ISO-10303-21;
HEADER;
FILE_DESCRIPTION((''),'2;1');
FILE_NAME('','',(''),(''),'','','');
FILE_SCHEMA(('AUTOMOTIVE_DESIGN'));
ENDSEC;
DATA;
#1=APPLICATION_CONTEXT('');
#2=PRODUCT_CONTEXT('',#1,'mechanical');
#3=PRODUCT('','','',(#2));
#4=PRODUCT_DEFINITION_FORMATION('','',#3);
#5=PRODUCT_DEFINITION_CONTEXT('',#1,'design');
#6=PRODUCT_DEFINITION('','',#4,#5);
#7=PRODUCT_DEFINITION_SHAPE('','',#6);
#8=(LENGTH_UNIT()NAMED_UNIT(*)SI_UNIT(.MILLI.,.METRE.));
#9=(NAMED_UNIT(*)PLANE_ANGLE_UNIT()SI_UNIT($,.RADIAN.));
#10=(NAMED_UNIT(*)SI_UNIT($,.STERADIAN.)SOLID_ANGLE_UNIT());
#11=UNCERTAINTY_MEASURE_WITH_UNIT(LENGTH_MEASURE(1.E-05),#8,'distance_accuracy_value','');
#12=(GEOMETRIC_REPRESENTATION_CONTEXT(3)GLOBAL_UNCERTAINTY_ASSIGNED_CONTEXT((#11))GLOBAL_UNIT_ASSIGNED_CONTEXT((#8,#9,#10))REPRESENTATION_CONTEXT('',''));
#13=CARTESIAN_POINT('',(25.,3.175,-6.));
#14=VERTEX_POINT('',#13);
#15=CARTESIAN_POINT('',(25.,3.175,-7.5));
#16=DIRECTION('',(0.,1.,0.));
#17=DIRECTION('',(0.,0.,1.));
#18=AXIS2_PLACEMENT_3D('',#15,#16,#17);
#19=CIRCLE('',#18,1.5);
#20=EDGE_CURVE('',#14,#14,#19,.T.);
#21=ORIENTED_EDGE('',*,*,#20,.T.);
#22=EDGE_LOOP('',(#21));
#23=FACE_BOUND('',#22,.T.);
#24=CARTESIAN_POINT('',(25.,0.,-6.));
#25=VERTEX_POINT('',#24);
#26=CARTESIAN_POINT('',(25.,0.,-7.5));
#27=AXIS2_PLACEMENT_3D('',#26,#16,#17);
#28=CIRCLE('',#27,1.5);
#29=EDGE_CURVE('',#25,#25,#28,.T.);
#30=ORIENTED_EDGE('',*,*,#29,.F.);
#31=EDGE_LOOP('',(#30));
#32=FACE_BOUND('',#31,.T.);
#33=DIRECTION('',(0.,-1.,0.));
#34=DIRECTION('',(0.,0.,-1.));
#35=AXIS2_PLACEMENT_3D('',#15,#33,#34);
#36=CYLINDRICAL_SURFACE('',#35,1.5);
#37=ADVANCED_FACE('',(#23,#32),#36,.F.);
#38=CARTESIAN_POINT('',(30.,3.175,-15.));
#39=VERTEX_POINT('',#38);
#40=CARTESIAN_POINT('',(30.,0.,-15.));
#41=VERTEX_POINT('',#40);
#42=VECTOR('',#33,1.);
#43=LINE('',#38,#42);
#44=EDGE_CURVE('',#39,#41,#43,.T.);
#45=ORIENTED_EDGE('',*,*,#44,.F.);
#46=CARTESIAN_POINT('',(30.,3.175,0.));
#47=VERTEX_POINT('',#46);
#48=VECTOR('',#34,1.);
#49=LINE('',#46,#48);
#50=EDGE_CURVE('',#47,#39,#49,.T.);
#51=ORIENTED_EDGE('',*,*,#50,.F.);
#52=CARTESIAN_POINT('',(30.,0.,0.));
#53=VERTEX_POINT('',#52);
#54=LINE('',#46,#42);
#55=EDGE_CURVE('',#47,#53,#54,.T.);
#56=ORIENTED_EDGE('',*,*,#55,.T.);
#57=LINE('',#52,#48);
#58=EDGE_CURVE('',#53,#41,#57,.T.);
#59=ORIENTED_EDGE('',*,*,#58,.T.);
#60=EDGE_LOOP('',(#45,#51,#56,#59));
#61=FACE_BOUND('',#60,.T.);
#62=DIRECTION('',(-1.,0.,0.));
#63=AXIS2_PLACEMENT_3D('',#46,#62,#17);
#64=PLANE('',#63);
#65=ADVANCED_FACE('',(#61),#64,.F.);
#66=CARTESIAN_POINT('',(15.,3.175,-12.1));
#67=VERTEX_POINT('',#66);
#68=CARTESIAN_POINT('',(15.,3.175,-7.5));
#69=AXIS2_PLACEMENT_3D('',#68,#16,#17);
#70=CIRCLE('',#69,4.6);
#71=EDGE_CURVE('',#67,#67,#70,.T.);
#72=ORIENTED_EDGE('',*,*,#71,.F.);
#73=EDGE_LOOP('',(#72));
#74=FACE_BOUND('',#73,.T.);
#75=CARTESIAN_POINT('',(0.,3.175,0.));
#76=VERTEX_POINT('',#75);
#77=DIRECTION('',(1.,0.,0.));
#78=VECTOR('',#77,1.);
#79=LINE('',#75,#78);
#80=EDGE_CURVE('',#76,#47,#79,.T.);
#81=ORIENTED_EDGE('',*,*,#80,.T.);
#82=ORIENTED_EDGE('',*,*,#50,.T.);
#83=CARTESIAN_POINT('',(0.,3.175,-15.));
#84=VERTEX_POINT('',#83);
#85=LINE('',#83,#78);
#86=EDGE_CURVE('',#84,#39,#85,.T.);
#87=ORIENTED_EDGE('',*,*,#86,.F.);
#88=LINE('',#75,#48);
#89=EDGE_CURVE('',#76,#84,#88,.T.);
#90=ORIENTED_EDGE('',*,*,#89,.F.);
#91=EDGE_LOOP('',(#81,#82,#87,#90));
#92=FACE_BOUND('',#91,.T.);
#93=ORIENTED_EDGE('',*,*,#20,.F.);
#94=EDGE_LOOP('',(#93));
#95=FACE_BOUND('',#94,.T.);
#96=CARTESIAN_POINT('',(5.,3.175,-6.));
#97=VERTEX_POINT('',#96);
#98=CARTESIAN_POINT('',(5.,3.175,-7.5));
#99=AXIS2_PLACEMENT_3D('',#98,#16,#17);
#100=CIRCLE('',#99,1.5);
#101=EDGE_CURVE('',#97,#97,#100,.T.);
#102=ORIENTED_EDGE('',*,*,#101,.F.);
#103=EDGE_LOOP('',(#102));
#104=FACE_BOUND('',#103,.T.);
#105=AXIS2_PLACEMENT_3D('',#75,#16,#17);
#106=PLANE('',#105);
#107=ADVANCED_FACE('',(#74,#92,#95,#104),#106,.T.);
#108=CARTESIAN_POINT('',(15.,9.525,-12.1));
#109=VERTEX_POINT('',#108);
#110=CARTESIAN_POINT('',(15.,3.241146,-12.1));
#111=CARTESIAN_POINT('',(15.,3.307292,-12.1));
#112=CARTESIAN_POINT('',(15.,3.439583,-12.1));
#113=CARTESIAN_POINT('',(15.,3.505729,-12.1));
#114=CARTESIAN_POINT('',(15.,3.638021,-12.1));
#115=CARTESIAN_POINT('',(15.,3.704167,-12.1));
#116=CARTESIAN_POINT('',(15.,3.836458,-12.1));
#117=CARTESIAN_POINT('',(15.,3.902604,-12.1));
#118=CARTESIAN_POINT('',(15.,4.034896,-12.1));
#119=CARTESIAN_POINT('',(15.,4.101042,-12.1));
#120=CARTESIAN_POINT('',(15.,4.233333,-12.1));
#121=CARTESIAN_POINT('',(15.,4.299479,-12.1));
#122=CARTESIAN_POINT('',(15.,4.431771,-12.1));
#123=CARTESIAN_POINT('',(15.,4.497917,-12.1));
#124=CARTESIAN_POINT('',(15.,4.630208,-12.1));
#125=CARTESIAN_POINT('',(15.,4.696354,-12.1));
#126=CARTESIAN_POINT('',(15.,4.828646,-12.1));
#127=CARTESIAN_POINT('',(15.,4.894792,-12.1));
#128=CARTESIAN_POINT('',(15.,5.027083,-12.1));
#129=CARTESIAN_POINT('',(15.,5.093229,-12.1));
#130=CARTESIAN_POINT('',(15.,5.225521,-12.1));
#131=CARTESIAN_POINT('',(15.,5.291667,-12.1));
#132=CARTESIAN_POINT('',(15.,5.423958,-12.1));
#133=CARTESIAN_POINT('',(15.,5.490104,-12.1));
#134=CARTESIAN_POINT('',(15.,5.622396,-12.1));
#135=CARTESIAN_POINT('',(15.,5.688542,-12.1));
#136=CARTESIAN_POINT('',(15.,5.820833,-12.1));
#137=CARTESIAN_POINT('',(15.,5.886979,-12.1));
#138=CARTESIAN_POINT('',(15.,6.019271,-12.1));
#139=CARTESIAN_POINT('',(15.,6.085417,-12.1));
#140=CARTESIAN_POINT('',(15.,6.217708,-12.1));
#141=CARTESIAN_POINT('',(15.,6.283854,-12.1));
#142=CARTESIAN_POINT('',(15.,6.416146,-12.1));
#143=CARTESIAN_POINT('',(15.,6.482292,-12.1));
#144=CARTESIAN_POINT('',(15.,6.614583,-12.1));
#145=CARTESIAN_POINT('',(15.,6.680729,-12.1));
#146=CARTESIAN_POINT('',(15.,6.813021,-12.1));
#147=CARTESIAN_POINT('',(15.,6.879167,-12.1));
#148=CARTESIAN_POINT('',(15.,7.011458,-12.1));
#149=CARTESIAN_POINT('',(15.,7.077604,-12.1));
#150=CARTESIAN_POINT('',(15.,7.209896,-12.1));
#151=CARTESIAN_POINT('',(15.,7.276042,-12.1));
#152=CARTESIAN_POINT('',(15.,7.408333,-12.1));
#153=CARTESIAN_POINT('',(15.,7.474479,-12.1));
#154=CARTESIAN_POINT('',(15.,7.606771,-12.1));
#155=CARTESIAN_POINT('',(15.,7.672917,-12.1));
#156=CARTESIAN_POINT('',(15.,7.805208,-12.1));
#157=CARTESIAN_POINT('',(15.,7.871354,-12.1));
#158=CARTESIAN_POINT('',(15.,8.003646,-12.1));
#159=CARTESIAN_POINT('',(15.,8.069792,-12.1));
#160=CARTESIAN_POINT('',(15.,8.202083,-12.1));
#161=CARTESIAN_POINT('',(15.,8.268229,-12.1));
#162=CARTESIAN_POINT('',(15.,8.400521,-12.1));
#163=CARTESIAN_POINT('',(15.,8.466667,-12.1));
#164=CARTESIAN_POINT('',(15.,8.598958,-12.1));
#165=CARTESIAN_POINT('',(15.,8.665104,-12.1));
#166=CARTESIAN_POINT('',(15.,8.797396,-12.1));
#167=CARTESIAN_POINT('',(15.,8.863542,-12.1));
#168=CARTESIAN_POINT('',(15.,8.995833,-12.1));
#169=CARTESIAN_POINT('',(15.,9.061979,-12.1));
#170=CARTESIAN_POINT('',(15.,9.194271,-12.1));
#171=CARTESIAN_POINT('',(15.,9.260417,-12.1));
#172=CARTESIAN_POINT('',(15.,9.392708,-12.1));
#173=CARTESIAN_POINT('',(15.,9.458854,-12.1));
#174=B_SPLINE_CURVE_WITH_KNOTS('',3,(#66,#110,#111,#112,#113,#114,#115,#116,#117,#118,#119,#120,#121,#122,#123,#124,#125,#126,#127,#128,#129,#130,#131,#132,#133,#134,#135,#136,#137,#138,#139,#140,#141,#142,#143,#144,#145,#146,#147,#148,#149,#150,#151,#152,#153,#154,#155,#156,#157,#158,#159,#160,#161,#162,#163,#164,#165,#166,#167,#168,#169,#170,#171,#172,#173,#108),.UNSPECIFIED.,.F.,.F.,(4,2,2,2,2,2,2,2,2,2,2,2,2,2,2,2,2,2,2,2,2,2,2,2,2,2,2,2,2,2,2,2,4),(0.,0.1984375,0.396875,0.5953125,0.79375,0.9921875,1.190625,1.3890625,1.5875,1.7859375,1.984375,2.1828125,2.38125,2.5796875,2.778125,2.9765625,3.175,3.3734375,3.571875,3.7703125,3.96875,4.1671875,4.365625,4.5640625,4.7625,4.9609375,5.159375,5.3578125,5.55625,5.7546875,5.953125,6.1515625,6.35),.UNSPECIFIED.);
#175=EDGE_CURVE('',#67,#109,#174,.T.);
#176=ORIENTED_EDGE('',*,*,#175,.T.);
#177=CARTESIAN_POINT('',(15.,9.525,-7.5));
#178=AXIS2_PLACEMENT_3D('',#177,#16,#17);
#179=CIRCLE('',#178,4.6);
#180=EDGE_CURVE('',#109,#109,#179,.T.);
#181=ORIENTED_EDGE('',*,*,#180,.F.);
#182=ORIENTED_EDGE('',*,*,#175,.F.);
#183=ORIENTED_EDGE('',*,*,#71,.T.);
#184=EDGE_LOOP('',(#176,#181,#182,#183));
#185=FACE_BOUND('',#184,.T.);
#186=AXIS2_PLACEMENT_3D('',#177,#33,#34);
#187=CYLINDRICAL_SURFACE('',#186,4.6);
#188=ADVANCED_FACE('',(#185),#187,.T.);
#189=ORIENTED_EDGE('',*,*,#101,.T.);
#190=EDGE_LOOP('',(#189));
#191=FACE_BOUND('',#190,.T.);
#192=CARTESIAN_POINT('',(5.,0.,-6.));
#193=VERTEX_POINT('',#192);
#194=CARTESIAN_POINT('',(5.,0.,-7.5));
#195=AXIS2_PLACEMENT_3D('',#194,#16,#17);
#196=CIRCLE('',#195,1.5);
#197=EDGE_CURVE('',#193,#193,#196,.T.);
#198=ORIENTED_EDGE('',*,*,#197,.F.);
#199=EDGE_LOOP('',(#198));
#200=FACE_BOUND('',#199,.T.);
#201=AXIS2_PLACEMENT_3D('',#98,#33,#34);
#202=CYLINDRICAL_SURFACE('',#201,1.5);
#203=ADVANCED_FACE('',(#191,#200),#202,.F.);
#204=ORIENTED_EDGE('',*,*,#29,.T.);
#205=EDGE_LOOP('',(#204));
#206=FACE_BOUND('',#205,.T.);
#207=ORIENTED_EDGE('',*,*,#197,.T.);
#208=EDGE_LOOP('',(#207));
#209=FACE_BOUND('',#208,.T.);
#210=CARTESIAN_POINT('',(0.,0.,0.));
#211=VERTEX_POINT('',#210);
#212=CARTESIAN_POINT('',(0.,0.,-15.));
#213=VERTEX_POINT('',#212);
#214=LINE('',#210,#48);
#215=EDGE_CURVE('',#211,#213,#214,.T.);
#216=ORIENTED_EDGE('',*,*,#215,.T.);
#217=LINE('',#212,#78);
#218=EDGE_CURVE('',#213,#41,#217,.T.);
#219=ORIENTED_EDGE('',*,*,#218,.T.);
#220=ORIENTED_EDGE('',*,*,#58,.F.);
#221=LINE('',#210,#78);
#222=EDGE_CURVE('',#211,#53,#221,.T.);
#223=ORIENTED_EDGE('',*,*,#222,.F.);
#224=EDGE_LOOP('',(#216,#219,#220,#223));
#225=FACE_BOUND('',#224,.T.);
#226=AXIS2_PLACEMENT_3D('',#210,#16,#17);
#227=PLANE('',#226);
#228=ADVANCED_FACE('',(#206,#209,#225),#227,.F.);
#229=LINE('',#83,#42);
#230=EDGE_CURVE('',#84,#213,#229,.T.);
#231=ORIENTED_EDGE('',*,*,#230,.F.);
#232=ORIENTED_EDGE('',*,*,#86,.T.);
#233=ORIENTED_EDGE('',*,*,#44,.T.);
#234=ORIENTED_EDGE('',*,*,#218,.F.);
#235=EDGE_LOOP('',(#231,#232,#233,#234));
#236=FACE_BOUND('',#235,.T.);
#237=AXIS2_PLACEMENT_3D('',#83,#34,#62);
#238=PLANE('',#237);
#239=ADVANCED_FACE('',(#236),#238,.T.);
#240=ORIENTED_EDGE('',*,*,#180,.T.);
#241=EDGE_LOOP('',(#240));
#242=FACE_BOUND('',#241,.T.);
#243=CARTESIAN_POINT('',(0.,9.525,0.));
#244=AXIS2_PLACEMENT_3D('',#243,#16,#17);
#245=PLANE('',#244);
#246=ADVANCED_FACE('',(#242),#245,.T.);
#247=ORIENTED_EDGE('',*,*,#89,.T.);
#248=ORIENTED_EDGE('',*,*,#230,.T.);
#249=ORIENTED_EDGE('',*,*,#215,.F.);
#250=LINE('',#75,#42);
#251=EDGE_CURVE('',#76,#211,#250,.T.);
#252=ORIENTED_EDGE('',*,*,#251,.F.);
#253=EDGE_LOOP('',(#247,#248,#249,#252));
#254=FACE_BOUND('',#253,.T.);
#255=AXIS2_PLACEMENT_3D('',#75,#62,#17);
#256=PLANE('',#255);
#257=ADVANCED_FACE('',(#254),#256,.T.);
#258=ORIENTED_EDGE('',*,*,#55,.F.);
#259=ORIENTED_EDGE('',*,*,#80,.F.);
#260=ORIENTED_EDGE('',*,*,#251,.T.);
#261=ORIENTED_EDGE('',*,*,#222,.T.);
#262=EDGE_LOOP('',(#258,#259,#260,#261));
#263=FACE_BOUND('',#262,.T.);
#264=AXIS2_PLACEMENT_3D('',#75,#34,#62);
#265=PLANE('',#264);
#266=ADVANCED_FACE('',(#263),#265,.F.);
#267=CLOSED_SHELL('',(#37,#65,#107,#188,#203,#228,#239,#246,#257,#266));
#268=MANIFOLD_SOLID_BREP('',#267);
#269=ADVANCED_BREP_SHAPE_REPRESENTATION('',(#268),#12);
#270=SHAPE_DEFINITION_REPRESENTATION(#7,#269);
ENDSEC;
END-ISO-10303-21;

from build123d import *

# Parameters (mm, degrees)
SKETCH1_R           = 4.6
BOSS_EXTRUDE1_DEPTH = 9.525
SKETCH1_3_W         = 30
SKETCH1_3_H         = 15
SKETCH1_3_R         = 1.5
BOSS_EXTRUDE2_DEPTH = 3.175


with BuildPart() as part:
    # Sketch1 → Boss-Extrude1 (new body)
    with BuildSketch(Plane(origin=(0, 0, 0), x_dir=(1, 0, 0), z_dir=(0, 1, 0))):
        with Locations((15, 7.5)):
            Circle(SKETCH1_R)
    extrude(amount=BOSS_EXTRUDE1_DEPTH)

    # Sketch1<3> → Boss-Extrude2 (add)
    with BuildSketch(Plane(origin=(0, 0, 0), x_dir=(1, 0, 0), z_dir=(0, 1, 0))):
        with Locations((15, 7.5)):
            Rectangle(SKETCH1_3_W, SKETCH1_3_H)
        with Locations((5, 7.5)):
            Circle(SKETCH1_3_R, mode=Mode.SUBTRACT)
        with BuildLine():
            ThreePointArc((10.4, 7.5), (15, 12.1), (19.6, 7.5))
            ThreePointArc((19.6, 7.5), (15, 2.9), (10.4, 7.5))
        make_face(mode=Mode.SUBTRACT)
        with BuildLine():
            ThreePointArc((26.5, 7.5), (25, 6), (23.5, 7.5))
            ThreePointArc((23.5, 7.5), (25, 9), (26.5, 7.5))
        make_face(mode=Mode.SUBTRACT)
    extrude(amount=BOSS_EXTRUDE2_DEPTH)


solid = part.part
